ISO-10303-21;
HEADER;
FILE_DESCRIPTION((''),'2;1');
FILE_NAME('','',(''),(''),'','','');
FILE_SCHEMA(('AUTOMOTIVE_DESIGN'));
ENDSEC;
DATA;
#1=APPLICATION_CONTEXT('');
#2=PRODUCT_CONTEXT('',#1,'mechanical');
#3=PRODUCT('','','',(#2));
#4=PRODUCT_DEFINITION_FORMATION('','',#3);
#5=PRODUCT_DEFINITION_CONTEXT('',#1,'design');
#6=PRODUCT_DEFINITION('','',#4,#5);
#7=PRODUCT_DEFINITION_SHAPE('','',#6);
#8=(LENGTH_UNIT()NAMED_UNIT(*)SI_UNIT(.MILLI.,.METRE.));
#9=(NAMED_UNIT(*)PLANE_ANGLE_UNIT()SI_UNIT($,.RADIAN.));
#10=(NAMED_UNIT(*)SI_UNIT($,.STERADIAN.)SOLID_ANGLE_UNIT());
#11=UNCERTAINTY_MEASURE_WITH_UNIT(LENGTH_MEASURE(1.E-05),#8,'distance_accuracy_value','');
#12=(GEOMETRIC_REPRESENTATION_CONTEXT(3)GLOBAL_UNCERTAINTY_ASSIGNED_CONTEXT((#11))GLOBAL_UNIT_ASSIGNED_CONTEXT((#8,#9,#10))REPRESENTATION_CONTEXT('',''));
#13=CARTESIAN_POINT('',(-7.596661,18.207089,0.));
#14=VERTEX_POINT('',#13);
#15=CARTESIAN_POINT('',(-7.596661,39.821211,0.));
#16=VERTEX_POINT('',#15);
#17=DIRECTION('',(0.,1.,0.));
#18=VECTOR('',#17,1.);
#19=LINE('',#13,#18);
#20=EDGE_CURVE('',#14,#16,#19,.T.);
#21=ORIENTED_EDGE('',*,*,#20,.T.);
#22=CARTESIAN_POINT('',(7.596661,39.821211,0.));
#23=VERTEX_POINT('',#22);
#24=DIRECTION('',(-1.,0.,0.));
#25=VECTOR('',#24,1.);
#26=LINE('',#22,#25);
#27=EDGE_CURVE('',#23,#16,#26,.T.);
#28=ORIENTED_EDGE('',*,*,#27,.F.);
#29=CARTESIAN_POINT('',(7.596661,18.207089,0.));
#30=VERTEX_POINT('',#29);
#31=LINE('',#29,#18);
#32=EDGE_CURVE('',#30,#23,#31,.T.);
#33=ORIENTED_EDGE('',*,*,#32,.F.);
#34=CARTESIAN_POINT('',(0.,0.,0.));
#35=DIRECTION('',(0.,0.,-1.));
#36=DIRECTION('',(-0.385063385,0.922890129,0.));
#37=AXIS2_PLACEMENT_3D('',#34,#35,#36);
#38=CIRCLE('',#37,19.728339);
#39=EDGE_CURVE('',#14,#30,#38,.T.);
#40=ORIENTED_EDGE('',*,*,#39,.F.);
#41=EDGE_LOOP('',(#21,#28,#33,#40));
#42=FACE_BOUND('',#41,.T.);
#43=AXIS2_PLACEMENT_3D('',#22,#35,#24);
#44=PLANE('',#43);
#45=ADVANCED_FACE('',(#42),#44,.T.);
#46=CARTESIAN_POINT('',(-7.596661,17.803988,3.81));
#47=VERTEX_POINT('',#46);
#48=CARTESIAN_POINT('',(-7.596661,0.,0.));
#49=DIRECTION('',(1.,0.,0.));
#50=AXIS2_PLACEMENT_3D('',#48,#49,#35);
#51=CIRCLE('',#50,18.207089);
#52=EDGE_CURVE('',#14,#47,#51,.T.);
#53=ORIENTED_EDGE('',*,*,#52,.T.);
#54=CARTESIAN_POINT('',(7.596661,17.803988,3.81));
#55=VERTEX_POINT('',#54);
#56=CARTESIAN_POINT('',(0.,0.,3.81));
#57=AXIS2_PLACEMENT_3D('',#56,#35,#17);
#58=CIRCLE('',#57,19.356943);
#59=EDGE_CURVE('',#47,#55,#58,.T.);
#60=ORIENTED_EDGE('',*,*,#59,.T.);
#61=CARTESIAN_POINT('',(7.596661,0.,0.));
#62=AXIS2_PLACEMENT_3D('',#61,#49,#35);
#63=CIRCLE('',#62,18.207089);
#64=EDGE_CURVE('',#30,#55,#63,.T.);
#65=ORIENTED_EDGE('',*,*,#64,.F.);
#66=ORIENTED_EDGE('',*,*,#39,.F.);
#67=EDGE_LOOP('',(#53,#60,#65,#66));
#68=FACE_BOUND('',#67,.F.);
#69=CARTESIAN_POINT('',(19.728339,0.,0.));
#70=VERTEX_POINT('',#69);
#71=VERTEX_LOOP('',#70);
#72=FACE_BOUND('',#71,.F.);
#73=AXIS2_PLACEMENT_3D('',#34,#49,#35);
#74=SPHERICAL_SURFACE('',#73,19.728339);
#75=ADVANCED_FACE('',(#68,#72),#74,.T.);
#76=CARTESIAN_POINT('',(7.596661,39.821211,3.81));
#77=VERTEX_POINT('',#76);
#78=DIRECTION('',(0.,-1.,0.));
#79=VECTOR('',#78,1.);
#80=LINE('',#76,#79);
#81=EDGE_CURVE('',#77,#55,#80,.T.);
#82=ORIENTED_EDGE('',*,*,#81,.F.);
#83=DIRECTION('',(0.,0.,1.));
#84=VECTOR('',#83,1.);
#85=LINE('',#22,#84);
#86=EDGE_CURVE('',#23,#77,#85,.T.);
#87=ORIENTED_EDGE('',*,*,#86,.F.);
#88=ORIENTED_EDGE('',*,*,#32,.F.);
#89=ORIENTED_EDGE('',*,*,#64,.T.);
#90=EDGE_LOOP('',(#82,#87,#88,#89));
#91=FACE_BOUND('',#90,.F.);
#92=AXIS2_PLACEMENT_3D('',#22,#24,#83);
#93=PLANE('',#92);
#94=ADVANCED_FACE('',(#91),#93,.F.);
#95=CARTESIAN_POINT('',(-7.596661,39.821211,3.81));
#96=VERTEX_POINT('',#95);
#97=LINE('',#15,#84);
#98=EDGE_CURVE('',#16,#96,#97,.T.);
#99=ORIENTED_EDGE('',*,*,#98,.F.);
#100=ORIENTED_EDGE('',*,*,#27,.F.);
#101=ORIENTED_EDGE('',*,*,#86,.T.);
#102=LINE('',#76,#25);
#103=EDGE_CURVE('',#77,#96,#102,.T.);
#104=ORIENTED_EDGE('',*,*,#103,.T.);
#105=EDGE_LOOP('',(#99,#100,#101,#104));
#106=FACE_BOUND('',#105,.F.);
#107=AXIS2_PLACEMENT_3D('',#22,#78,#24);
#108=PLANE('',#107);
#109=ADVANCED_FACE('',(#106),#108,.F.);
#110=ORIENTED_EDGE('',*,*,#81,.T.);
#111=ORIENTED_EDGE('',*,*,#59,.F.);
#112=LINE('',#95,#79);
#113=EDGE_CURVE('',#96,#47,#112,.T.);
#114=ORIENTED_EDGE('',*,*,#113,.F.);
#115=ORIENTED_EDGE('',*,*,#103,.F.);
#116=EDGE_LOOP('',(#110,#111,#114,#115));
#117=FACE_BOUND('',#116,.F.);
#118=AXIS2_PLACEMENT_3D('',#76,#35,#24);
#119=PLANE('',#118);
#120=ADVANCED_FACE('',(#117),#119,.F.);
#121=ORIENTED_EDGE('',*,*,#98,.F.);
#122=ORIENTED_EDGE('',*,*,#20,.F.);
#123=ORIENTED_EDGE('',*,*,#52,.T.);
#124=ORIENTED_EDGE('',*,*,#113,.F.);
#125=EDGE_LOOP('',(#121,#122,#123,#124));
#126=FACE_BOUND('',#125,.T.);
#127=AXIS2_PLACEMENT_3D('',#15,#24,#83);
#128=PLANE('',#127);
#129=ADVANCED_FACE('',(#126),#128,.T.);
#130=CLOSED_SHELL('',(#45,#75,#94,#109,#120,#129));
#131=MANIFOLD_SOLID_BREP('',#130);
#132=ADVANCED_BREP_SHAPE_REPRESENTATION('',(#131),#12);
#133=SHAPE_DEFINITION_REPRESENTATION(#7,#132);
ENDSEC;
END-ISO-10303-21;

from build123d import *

# Parameters (mm, degrees)
F3_DEPTH = 3.81
F4_W     = 15.193322
F4_H     = 3.81
F5_DEPTH = 50.8


with BuildPart() as f1:
    # F0 (on Front) → F1 (revolve)
    with BuildSketch(Plane.XZ):
        with BuildLine():
            ThreePointArc((-19.728339, 0), (0, -19.728339), (19.728339, 0))
            Line((19.728339, 0), (-19.728339, 0))
        make_face()
    revolve(axis=Axis((0, 0, 0), (-1, 0, 0)))

    # F2 (on Top) → F3 (join)
    with BuildSketch(Plane.XY):
        with BuildLine():
            Line((-7.596661, 39.821211), (-7.596661, 18.991655))
            ThreePointArc((-7.596661, 18.991655), (-0.00587, 19.47811), (7.596661, 19.236708))
            Line((7.596661, 19.236708), (7.596661, 39.821211))
            Line((7.596661, 39.821211), (-7.596661, 39.821211))
        make_face()
    extrude(amount=F3_DEPTH)

    # F4 (on face) → F5 (join)
    with BuildSketch(Plane(origin=(0, 39.821211, 0), x_dir=(-1, 0, 0), z_dir=(0, 1, 0))):
        with Locations((0, 1.905)):
            Rectangle(F4_W, F4_H)
    extrude(amount=-F5_DEPTH)


solid = f1.part
